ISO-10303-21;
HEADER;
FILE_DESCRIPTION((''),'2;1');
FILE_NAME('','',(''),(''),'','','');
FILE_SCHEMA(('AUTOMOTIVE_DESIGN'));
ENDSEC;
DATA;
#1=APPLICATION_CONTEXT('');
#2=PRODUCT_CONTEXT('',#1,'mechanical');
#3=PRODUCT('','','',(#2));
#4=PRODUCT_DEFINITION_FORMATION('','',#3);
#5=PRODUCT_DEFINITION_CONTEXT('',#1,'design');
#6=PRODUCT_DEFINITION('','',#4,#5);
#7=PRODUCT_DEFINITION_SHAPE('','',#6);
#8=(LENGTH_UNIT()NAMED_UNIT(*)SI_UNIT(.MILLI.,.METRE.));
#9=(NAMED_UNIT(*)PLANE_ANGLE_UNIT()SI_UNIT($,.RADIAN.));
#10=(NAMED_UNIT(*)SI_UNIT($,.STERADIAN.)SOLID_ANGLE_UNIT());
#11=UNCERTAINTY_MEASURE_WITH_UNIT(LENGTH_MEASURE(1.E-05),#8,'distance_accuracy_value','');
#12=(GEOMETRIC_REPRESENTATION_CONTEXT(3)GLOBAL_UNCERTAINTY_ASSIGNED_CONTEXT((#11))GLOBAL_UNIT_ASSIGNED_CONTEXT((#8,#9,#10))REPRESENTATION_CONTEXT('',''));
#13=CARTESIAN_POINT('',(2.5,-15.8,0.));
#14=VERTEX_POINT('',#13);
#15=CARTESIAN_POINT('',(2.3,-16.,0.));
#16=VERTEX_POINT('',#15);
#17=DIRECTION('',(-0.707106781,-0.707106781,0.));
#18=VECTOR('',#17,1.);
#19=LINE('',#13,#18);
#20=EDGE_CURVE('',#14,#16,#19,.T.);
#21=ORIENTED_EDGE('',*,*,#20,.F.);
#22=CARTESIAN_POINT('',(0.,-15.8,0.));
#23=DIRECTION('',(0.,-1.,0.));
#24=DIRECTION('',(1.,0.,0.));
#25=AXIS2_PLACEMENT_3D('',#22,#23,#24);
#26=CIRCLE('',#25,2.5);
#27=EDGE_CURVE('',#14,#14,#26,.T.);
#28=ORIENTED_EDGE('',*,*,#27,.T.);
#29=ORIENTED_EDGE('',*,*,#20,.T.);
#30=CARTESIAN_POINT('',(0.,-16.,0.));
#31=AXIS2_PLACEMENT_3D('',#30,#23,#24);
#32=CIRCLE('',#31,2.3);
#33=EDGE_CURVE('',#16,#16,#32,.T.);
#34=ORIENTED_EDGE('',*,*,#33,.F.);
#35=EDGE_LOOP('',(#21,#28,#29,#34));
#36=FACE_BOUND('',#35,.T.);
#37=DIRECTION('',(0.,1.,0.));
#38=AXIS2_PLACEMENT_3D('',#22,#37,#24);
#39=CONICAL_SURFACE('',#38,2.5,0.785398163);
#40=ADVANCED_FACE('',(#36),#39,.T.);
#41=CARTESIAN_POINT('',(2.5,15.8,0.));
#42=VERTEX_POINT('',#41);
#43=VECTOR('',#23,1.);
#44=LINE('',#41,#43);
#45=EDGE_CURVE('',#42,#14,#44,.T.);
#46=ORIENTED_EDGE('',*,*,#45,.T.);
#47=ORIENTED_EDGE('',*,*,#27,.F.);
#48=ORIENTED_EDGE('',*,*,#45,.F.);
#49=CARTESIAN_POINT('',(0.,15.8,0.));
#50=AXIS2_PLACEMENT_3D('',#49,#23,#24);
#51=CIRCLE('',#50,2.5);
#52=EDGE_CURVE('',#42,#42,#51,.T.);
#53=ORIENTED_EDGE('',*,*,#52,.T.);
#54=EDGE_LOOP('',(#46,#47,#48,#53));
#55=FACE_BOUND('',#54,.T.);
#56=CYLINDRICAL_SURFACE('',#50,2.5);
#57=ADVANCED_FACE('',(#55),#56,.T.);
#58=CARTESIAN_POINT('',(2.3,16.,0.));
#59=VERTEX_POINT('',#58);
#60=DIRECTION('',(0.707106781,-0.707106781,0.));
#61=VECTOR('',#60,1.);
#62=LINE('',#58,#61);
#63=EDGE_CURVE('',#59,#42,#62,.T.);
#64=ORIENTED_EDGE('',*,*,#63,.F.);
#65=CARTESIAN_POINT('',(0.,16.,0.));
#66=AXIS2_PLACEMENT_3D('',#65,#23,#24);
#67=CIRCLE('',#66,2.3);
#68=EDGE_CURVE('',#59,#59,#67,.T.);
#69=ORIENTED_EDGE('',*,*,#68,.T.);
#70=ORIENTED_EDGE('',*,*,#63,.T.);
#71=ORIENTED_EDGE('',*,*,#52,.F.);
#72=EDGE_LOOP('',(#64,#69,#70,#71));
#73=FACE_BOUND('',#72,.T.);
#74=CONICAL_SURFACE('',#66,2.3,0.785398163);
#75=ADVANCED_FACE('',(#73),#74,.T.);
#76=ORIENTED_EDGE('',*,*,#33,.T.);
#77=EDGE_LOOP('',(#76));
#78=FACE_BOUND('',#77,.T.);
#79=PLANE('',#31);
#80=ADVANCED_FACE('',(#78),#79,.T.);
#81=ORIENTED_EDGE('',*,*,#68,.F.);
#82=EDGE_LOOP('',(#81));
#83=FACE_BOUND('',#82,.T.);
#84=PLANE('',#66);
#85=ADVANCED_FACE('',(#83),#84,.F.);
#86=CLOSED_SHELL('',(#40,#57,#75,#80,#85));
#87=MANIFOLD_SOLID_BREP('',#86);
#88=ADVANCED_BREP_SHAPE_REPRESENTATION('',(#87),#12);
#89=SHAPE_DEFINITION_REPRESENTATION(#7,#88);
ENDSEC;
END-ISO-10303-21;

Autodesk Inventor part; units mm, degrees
sketch "Sketch_1" plane through (0, 0, 0) normal (0, 0, 1) x (1, 0, 0)
  line L0 (0, -16) -> (0, 16)
  line L1 (0, 16) -> (2.3, 16)
  line L2 (2.3, 16) -> (2.5, 15.8)
  line L3 (2.5, 15.8) -> (2.5, -15.8)
  line L4 (2.5, -15.8) -> (2.3, -16)
  line L5 (2.3, -16) -> (0, -16)
  line L6 (0, -16) -> (0, 16)
revolve "Revolution1" add sketch "Sketch_1" angle 360 about axis through (0, -16, 0) along (0, -1, 0)
ref_plane "hhpsjc_pin_XY" through (0, 0, 0) normal (0, 1, 0) x (1, 0, 0)
ref_plane "hhpsjc_pin_YZ" through (0, 0, 0) normal (1, 0, 0) x (0, 0, -1)
ref_plane "hhpsjc_pin_ZX" through (0, 0, 0) normal (0, 0, -1) x (0, 1, 0)
properties part number "HHPSJC5-pin"
